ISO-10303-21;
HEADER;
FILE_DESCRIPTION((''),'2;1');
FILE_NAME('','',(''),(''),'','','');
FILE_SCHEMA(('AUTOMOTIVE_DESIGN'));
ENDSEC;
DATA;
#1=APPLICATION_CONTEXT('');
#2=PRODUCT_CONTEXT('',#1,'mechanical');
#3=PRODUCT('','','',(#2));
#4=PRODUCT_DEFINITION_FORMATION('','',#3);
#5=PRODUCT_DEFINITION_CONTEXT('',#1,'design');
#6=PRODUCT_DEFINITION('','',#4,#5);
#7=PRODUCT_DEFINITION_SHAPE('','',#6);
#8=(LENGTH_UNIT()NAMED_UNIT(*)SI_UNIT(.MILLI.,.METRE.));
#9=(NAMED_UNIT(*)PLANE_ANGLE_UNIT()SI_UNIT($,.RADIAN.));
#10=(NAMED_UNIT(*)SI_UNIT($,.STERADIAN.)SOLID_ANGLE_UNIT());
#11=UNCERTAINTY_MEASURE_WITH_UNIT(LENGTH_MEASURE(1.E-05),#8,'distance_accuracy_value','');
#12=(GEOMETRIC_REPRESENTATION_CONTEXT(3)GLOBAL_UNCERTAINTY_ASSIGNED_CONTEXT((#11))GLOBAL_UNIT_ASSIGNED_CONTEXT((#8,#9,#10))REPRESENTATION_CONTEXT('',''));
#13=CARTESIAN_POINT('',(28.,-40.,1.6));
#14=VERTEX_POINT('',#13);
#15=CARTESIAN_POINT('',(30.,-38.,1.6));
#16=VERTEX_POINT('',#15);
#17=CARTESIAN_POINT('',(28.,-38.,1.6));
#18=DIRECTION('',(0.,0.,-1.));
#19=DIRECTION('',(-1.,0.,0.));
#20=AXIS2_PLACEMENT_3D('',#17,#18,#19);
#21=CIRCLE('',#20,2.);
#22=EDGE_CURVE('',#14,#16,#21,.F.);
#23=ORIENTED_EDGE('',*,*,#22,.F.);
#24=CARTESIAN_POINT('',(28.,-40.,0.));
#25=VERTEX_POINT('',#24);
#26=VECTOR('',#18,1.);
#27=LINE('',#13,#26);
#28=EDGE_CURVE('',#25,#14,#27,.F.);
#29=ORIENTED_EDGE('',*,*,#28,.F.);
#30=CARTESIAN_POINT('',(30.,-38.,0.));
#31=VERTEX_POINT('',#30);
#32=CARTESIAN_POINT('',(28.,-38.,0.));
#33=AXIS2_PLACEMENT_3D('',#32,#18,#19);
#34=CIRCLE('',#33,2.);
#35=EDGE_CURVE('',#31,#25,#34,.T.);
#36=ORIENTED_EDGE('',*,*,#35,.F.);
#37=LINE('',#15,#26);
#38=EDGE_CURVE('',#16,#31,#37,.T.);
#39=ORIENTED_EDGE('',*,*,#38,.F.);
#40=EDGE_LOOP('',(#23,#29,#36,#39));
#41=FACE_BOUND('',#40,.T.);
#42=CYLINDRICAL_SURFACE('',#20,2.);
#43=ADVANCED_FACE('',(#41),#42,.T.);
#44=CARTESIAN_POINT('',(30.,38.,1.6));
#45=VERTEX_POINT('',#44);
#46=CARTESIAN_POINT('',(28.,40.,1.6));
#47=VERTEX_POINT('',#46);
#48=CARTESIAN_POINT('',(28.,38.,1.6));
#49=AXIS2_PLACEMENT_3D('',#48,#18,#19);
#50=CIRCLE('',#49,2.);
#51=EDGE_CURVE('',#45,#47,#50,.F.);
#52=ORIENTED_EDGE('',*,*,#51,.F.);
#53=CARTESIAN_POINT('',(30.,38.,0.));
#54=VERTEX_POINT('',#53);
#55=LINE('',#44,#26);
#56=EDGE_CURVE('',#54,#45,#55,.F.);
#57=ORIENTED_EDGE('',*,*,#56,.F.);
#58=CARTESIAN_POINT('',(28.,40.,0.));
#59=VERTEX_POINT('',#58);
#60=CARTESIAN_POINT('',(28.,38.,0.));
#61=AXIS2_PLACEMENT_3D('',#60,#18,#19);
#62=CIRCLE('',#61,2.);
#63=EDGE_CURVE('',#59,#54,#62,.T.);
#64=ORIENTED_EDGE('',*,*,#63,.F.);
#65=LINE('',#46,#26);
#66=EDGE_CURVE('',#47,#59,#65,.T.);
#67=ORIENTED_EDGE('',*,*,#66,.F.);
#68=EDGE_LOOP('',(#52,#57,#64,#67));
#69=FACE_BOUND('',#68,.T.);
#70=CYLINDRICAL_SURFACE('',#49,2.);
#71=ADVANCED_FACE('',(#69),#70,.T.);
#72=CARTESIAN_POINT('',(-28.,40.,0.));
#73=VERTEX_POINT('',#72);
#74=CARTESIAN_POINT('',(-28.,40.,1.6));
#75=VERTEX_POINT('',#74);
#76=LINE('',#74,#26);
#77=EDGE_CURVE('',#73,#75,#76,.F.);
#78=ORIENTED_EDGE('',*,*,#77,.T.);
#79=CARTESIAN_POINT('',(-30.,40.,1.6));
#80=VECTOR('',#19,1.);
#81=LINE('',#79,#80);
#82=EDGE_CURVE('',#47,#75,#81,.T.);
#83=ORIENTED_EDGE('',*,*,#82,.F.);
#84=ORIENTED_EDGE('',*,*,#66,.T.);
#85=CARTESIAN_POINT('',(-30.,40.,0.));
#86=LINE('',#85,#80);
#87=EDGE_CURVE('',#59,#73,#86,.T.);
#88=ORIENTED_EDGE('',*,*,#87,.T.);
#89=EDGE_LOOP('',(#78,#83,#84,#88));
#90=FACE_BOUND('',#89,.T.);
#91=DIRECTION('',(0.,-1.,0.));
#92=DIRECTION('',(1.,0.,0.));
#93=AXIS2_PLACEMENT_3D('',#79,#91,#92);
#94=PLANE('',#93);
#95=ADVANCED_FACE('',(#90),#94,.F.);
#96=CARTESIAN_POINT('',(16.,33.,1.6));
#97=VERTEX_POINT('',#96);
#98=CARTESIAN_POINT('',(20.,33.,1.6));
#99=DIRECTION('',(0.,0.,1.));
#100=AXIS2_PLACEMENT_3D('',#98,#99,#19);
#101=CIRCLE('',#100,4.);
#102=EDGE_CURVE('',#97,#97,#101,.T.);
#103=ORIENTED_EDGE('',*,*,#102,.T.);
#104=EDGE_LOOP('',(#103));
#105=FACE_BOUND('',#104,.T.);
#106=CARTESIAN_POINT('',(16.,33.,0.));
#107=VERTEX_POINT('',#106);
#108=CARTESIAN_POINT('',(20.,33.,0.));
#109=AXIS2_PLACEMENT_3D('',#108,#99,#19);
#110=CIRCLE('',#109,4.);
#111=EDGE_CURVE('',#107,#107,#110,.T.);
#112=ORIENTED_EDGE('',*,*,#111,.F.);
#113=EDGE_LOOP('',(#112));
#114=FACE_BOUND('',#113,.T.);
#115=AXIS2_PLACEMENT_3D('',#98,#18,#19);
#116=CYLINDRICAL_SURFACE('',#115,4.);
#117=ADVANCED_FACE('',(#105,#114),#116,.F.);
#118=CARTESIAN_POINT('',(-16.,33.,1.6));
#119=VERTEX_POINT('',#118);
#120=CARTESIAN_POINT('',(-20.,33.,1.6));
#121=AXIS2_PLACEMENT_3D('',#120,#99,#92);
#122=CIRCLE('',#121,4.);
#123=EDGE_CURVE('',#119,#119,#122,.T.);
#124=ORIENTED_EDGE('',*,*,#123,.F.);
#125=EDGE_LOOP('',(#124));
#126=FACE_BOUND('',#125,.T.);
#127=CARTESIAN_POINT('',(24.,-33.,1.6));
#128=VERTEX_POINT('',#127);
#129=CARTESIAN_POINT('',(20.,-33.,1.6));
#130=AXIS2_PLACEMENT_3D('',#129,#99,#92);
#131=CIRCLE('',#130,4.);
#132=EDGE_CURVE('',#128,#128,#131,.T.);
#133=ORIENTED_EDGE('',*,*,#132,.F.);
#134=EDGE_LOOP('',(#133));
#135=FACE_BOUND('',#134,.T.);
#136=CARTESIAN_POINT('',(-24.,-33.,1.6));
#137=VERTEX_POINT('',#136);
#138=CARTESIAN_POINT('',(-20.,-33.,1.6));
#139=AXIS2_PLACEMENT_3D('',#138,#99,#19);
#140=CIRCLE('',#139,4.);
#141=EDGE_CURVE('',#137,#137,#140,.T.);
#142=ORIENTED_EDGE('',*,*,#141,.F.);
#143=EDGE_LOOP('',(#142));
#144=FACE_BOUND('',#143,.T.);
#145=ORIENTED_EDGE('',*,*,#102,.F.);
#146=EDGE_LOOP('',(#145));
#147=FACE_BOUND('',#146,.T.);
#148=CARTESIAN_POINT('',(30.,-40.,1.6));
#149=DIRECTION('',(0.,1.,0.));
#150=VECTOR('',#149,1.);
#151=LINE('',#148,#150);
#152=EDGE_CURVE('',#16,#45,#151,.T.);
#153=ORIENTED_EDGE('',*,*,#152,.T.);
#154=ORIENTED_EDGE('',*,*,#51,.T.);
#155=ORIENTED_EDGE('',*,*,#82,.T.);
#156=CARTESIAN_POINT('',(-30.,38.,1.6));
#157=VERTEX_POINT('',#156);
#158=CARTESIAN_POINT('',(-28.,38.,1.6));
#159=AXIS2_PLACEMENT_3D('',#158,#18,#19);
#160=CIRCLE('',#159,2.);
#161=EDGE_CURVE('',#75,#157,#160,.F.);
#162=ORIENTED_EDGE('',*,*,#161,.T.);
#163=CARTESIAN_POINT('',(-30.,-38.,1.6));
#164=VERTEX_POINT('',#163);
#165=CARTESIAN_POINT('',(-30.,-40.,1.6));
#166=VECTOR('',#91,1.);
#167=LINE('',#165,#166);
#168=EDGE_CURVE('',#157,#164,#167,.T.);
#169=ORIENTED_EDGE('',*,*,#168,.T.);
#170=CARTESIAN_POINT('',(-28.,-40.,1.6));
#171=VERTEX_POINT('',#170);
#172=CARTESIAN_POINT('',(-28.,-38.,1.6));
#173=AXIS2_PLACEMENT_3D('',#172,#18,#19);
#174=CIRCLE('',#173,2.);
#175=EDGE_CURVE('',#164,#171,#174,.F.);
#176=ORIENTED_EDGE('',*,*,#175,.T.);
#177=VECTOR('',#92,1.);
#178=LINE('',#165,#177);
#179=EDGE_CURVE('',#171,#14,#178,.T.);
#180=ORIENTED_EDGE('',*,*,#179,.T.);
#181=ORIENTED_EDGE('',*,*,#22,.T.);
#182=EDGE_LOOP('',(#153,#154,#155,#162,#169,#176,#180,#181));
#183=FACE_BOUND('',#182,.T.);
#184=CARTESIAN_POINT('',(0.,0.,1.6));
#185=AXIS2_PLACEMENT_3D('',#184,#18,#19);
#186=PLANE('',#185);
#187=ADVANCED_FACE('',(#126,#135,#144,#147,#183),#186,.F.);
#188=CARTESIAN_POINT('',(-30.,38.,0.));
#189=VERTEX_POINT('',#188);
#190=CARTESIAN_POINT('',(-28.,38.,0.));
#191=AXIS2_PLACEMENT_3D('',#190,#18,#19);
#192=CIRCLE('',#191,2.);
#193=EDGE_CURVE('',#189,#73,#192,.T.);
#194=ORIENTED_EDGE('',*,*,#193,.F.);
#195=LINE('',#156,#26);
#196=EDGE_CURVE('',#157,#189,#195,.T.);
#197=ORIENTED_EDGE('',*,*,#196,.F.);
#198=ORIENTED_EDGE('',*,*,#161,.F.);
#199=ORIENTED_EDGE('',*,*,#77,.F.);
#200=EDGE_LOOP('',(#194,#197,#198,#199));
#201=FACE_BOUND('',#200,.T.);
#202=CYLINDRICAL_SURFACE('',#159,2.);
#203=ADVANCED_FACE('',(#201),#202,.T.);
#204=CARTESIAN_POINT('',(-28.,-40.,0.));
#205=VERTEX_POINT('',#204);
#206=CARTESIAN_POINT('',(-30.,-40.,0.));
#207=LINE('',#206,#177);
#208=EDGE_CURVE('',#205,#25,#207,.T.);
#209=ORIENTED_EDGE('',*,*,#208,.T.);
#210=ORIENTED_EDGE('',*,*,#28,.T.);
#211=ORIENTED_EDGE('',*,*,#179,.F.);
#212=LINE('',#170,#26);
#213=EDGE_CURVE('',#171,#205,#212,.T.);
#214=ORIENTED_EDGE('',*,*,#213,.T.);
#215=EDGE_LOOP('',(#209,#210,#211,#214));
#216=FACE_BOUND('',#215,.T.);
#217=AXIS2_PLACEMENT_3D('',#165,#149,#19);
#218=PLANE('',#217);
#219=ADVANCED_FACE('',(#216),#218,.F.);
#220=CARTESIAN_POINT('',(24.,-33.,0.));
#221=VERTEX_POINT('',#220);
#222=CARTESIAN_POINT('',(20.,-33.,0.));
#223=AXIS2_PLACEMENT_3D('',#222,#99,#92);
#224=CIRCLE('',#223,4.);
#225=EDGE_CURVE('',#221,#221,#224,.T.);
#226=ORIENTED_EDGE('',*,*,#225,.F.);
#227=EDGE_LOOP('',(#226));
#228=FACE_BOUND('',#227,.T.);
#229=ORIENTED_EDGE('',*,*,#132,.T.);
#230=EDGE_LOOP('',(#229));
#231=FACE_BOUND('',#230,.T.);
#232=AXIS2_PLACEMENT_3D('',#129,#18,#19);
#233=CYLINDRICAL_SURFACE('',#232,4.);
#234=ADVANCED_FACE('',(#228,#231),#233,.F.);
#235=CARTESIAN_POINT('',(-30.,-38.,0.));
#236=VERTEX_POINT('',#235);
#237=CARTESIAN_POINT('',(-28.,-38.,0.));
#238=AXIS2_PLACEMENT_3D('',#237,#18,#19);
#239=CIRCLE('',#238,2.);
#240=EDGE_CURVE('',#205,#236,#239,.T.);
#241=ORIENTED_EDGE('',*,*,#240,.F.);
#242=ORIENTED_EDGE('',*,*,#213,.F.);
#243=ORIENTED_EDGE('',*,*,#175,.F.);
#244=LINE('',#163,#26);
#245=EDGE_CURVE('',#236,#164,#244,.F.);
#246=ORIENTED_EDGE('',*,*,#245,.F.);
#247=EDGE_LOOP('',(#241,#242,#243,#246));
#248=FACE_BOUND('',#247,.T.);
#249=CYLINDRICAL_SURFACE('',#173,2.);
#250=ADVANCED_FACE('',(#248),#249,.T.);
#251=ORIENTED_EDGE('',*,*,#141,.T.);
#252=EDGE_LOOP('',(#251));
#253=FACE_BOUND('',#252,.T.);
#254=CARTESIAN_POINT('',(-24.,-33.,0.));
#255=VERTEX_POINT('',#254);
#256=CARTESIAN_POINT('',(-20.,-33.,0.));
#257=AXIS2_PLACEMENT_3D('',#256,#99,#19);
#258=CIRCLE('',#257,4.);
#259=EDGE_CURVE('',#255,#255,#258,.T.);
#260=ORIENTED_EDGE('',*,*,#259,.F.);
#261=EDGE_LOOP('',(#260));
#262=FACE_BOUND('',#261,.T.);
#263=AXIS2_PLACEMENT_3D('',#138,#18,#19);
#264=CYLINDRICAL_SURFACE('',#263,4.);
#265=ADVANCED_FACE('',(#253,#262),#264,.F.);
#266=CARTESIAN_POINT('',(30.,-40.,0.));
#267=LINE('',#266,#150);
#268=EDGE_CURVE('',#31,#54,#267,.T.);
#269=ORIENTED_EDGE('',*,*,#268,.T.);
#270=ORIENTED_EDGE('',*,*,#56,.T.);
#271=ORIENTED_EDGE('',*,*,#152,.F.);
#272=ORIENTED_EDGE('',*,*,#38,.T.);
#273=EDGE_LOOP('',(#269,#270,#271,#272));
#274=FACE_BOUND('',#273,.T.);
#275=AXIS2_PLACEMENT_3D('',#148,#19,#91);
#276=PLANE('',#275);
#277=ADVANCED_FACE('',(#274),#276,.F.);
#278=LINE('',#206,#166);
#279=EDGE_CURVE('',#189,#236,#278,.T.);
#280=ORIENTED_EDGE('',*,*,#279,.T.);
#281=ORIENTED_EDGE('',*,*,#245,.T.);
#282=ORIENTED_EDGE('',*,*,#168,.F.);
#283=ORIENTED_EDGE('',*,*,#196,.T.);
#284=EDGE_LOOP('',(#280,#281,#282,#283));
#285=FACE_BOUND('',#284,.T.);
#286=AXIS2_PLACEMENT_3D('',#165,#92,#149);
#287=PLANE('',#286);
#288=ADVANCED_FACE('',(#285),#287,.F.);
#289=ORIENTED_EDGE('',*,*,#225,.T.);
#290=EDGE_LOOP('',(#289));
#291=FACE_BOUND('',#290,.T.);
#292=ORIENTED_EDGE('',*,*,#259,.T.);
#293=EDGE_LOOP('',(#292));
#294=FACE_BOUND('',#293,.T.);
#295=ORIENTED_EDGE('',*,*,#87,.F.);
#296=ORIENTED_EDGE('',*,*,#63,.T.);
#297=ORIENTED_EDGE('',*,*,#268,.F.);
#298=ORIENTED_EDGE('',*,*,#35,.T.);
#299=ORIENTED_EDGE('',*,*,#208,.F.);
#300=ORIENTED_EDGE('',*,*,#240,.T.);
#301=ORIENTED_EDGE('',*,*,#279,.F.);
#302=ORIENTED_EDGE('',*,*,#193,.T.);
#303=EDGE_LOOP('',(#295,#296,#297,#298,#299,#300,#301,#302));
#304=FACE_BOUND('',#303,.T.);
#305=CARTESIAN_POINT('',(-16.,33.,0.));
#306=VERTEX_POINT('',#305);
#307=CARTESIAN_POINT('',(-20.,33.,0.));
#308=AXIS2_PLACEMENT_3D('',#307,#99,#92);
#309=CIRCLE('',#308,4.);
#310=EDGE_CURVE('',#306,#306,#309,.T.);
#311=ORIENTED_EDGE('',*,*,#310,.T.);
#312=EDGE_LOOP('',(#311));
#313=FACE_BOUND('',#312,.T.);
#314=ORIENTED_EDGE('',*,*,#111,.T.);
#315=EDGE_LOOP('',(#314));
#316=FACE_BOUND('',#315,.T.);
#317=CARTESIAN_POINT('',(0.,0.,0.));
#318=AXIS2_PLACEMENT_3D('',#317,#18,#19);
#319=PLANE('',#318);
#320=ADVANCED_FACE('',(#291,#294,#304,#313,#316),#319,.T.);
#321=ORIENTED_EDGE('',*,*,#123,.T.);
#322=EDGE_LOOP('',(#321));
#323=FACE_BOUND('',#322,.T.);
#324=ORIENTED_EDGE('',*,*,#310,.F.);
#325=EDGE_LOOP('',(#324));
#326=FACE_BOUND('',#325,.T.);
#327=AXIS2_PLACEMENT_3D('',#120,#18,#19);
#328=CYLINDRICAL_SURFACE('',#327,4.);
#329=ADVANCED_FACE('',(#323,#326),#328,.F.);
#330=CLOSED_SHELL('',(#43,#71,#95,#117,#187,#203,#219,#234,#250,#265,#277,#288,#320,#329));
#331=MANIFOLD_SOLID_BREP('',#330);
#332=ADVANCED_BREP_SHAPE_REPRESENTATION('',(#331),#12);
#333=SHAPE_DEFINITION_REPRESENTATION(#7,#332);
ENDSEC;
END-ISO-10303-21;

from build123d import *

# Parameters (mm, degrees)
SKETCH_1_W      = 60
SKETCH_1_H      = 80
SKETCH_1_R      = 4
EXTRUDE_1_DEPTH = 1.6
FILLET_1_R      = 2


with BuildPart() as part:
    # 草图1 → 凸台-拉伸1 (new body)
    with BuildSketch(Plane.XY):
        Rectangle(SKETCH_1_W, SKETCH_1_H)
        with Locations((-20, 33)):
            Circle(SKETCH_1_R, mode=Mode.SUBTRACT)
        with Locations(Location((20, 33, 0), (0, 0, 180))):
            Circle(SKETCH_1_R, mode=Mode.SUBTRACT)
        with Locations((20, -33)):
            Circle(SKETCH_1_R, mode=Mode.SUBTRACT)
        with Locations(Location((-20, -33, 0), (0, 0, 180))):
            Circle(SKETCH_1_R, mode=Mode.SUBTRACT)
    extrude(amount=EXTRUDE_1_DEPTH)

    # 圆角1
    fillet_1_edges = [part.edges().sort_by_distance(p)[0] for p in [
        (30, -40, 0.8),
        (-30, -40, 0.8),
        (-30, 40, 0.8),
        (30, 40, 0.8),
    ]]
    fillet(fillet_1_edges, radius=FILLET_1_R)


solid = part.part
